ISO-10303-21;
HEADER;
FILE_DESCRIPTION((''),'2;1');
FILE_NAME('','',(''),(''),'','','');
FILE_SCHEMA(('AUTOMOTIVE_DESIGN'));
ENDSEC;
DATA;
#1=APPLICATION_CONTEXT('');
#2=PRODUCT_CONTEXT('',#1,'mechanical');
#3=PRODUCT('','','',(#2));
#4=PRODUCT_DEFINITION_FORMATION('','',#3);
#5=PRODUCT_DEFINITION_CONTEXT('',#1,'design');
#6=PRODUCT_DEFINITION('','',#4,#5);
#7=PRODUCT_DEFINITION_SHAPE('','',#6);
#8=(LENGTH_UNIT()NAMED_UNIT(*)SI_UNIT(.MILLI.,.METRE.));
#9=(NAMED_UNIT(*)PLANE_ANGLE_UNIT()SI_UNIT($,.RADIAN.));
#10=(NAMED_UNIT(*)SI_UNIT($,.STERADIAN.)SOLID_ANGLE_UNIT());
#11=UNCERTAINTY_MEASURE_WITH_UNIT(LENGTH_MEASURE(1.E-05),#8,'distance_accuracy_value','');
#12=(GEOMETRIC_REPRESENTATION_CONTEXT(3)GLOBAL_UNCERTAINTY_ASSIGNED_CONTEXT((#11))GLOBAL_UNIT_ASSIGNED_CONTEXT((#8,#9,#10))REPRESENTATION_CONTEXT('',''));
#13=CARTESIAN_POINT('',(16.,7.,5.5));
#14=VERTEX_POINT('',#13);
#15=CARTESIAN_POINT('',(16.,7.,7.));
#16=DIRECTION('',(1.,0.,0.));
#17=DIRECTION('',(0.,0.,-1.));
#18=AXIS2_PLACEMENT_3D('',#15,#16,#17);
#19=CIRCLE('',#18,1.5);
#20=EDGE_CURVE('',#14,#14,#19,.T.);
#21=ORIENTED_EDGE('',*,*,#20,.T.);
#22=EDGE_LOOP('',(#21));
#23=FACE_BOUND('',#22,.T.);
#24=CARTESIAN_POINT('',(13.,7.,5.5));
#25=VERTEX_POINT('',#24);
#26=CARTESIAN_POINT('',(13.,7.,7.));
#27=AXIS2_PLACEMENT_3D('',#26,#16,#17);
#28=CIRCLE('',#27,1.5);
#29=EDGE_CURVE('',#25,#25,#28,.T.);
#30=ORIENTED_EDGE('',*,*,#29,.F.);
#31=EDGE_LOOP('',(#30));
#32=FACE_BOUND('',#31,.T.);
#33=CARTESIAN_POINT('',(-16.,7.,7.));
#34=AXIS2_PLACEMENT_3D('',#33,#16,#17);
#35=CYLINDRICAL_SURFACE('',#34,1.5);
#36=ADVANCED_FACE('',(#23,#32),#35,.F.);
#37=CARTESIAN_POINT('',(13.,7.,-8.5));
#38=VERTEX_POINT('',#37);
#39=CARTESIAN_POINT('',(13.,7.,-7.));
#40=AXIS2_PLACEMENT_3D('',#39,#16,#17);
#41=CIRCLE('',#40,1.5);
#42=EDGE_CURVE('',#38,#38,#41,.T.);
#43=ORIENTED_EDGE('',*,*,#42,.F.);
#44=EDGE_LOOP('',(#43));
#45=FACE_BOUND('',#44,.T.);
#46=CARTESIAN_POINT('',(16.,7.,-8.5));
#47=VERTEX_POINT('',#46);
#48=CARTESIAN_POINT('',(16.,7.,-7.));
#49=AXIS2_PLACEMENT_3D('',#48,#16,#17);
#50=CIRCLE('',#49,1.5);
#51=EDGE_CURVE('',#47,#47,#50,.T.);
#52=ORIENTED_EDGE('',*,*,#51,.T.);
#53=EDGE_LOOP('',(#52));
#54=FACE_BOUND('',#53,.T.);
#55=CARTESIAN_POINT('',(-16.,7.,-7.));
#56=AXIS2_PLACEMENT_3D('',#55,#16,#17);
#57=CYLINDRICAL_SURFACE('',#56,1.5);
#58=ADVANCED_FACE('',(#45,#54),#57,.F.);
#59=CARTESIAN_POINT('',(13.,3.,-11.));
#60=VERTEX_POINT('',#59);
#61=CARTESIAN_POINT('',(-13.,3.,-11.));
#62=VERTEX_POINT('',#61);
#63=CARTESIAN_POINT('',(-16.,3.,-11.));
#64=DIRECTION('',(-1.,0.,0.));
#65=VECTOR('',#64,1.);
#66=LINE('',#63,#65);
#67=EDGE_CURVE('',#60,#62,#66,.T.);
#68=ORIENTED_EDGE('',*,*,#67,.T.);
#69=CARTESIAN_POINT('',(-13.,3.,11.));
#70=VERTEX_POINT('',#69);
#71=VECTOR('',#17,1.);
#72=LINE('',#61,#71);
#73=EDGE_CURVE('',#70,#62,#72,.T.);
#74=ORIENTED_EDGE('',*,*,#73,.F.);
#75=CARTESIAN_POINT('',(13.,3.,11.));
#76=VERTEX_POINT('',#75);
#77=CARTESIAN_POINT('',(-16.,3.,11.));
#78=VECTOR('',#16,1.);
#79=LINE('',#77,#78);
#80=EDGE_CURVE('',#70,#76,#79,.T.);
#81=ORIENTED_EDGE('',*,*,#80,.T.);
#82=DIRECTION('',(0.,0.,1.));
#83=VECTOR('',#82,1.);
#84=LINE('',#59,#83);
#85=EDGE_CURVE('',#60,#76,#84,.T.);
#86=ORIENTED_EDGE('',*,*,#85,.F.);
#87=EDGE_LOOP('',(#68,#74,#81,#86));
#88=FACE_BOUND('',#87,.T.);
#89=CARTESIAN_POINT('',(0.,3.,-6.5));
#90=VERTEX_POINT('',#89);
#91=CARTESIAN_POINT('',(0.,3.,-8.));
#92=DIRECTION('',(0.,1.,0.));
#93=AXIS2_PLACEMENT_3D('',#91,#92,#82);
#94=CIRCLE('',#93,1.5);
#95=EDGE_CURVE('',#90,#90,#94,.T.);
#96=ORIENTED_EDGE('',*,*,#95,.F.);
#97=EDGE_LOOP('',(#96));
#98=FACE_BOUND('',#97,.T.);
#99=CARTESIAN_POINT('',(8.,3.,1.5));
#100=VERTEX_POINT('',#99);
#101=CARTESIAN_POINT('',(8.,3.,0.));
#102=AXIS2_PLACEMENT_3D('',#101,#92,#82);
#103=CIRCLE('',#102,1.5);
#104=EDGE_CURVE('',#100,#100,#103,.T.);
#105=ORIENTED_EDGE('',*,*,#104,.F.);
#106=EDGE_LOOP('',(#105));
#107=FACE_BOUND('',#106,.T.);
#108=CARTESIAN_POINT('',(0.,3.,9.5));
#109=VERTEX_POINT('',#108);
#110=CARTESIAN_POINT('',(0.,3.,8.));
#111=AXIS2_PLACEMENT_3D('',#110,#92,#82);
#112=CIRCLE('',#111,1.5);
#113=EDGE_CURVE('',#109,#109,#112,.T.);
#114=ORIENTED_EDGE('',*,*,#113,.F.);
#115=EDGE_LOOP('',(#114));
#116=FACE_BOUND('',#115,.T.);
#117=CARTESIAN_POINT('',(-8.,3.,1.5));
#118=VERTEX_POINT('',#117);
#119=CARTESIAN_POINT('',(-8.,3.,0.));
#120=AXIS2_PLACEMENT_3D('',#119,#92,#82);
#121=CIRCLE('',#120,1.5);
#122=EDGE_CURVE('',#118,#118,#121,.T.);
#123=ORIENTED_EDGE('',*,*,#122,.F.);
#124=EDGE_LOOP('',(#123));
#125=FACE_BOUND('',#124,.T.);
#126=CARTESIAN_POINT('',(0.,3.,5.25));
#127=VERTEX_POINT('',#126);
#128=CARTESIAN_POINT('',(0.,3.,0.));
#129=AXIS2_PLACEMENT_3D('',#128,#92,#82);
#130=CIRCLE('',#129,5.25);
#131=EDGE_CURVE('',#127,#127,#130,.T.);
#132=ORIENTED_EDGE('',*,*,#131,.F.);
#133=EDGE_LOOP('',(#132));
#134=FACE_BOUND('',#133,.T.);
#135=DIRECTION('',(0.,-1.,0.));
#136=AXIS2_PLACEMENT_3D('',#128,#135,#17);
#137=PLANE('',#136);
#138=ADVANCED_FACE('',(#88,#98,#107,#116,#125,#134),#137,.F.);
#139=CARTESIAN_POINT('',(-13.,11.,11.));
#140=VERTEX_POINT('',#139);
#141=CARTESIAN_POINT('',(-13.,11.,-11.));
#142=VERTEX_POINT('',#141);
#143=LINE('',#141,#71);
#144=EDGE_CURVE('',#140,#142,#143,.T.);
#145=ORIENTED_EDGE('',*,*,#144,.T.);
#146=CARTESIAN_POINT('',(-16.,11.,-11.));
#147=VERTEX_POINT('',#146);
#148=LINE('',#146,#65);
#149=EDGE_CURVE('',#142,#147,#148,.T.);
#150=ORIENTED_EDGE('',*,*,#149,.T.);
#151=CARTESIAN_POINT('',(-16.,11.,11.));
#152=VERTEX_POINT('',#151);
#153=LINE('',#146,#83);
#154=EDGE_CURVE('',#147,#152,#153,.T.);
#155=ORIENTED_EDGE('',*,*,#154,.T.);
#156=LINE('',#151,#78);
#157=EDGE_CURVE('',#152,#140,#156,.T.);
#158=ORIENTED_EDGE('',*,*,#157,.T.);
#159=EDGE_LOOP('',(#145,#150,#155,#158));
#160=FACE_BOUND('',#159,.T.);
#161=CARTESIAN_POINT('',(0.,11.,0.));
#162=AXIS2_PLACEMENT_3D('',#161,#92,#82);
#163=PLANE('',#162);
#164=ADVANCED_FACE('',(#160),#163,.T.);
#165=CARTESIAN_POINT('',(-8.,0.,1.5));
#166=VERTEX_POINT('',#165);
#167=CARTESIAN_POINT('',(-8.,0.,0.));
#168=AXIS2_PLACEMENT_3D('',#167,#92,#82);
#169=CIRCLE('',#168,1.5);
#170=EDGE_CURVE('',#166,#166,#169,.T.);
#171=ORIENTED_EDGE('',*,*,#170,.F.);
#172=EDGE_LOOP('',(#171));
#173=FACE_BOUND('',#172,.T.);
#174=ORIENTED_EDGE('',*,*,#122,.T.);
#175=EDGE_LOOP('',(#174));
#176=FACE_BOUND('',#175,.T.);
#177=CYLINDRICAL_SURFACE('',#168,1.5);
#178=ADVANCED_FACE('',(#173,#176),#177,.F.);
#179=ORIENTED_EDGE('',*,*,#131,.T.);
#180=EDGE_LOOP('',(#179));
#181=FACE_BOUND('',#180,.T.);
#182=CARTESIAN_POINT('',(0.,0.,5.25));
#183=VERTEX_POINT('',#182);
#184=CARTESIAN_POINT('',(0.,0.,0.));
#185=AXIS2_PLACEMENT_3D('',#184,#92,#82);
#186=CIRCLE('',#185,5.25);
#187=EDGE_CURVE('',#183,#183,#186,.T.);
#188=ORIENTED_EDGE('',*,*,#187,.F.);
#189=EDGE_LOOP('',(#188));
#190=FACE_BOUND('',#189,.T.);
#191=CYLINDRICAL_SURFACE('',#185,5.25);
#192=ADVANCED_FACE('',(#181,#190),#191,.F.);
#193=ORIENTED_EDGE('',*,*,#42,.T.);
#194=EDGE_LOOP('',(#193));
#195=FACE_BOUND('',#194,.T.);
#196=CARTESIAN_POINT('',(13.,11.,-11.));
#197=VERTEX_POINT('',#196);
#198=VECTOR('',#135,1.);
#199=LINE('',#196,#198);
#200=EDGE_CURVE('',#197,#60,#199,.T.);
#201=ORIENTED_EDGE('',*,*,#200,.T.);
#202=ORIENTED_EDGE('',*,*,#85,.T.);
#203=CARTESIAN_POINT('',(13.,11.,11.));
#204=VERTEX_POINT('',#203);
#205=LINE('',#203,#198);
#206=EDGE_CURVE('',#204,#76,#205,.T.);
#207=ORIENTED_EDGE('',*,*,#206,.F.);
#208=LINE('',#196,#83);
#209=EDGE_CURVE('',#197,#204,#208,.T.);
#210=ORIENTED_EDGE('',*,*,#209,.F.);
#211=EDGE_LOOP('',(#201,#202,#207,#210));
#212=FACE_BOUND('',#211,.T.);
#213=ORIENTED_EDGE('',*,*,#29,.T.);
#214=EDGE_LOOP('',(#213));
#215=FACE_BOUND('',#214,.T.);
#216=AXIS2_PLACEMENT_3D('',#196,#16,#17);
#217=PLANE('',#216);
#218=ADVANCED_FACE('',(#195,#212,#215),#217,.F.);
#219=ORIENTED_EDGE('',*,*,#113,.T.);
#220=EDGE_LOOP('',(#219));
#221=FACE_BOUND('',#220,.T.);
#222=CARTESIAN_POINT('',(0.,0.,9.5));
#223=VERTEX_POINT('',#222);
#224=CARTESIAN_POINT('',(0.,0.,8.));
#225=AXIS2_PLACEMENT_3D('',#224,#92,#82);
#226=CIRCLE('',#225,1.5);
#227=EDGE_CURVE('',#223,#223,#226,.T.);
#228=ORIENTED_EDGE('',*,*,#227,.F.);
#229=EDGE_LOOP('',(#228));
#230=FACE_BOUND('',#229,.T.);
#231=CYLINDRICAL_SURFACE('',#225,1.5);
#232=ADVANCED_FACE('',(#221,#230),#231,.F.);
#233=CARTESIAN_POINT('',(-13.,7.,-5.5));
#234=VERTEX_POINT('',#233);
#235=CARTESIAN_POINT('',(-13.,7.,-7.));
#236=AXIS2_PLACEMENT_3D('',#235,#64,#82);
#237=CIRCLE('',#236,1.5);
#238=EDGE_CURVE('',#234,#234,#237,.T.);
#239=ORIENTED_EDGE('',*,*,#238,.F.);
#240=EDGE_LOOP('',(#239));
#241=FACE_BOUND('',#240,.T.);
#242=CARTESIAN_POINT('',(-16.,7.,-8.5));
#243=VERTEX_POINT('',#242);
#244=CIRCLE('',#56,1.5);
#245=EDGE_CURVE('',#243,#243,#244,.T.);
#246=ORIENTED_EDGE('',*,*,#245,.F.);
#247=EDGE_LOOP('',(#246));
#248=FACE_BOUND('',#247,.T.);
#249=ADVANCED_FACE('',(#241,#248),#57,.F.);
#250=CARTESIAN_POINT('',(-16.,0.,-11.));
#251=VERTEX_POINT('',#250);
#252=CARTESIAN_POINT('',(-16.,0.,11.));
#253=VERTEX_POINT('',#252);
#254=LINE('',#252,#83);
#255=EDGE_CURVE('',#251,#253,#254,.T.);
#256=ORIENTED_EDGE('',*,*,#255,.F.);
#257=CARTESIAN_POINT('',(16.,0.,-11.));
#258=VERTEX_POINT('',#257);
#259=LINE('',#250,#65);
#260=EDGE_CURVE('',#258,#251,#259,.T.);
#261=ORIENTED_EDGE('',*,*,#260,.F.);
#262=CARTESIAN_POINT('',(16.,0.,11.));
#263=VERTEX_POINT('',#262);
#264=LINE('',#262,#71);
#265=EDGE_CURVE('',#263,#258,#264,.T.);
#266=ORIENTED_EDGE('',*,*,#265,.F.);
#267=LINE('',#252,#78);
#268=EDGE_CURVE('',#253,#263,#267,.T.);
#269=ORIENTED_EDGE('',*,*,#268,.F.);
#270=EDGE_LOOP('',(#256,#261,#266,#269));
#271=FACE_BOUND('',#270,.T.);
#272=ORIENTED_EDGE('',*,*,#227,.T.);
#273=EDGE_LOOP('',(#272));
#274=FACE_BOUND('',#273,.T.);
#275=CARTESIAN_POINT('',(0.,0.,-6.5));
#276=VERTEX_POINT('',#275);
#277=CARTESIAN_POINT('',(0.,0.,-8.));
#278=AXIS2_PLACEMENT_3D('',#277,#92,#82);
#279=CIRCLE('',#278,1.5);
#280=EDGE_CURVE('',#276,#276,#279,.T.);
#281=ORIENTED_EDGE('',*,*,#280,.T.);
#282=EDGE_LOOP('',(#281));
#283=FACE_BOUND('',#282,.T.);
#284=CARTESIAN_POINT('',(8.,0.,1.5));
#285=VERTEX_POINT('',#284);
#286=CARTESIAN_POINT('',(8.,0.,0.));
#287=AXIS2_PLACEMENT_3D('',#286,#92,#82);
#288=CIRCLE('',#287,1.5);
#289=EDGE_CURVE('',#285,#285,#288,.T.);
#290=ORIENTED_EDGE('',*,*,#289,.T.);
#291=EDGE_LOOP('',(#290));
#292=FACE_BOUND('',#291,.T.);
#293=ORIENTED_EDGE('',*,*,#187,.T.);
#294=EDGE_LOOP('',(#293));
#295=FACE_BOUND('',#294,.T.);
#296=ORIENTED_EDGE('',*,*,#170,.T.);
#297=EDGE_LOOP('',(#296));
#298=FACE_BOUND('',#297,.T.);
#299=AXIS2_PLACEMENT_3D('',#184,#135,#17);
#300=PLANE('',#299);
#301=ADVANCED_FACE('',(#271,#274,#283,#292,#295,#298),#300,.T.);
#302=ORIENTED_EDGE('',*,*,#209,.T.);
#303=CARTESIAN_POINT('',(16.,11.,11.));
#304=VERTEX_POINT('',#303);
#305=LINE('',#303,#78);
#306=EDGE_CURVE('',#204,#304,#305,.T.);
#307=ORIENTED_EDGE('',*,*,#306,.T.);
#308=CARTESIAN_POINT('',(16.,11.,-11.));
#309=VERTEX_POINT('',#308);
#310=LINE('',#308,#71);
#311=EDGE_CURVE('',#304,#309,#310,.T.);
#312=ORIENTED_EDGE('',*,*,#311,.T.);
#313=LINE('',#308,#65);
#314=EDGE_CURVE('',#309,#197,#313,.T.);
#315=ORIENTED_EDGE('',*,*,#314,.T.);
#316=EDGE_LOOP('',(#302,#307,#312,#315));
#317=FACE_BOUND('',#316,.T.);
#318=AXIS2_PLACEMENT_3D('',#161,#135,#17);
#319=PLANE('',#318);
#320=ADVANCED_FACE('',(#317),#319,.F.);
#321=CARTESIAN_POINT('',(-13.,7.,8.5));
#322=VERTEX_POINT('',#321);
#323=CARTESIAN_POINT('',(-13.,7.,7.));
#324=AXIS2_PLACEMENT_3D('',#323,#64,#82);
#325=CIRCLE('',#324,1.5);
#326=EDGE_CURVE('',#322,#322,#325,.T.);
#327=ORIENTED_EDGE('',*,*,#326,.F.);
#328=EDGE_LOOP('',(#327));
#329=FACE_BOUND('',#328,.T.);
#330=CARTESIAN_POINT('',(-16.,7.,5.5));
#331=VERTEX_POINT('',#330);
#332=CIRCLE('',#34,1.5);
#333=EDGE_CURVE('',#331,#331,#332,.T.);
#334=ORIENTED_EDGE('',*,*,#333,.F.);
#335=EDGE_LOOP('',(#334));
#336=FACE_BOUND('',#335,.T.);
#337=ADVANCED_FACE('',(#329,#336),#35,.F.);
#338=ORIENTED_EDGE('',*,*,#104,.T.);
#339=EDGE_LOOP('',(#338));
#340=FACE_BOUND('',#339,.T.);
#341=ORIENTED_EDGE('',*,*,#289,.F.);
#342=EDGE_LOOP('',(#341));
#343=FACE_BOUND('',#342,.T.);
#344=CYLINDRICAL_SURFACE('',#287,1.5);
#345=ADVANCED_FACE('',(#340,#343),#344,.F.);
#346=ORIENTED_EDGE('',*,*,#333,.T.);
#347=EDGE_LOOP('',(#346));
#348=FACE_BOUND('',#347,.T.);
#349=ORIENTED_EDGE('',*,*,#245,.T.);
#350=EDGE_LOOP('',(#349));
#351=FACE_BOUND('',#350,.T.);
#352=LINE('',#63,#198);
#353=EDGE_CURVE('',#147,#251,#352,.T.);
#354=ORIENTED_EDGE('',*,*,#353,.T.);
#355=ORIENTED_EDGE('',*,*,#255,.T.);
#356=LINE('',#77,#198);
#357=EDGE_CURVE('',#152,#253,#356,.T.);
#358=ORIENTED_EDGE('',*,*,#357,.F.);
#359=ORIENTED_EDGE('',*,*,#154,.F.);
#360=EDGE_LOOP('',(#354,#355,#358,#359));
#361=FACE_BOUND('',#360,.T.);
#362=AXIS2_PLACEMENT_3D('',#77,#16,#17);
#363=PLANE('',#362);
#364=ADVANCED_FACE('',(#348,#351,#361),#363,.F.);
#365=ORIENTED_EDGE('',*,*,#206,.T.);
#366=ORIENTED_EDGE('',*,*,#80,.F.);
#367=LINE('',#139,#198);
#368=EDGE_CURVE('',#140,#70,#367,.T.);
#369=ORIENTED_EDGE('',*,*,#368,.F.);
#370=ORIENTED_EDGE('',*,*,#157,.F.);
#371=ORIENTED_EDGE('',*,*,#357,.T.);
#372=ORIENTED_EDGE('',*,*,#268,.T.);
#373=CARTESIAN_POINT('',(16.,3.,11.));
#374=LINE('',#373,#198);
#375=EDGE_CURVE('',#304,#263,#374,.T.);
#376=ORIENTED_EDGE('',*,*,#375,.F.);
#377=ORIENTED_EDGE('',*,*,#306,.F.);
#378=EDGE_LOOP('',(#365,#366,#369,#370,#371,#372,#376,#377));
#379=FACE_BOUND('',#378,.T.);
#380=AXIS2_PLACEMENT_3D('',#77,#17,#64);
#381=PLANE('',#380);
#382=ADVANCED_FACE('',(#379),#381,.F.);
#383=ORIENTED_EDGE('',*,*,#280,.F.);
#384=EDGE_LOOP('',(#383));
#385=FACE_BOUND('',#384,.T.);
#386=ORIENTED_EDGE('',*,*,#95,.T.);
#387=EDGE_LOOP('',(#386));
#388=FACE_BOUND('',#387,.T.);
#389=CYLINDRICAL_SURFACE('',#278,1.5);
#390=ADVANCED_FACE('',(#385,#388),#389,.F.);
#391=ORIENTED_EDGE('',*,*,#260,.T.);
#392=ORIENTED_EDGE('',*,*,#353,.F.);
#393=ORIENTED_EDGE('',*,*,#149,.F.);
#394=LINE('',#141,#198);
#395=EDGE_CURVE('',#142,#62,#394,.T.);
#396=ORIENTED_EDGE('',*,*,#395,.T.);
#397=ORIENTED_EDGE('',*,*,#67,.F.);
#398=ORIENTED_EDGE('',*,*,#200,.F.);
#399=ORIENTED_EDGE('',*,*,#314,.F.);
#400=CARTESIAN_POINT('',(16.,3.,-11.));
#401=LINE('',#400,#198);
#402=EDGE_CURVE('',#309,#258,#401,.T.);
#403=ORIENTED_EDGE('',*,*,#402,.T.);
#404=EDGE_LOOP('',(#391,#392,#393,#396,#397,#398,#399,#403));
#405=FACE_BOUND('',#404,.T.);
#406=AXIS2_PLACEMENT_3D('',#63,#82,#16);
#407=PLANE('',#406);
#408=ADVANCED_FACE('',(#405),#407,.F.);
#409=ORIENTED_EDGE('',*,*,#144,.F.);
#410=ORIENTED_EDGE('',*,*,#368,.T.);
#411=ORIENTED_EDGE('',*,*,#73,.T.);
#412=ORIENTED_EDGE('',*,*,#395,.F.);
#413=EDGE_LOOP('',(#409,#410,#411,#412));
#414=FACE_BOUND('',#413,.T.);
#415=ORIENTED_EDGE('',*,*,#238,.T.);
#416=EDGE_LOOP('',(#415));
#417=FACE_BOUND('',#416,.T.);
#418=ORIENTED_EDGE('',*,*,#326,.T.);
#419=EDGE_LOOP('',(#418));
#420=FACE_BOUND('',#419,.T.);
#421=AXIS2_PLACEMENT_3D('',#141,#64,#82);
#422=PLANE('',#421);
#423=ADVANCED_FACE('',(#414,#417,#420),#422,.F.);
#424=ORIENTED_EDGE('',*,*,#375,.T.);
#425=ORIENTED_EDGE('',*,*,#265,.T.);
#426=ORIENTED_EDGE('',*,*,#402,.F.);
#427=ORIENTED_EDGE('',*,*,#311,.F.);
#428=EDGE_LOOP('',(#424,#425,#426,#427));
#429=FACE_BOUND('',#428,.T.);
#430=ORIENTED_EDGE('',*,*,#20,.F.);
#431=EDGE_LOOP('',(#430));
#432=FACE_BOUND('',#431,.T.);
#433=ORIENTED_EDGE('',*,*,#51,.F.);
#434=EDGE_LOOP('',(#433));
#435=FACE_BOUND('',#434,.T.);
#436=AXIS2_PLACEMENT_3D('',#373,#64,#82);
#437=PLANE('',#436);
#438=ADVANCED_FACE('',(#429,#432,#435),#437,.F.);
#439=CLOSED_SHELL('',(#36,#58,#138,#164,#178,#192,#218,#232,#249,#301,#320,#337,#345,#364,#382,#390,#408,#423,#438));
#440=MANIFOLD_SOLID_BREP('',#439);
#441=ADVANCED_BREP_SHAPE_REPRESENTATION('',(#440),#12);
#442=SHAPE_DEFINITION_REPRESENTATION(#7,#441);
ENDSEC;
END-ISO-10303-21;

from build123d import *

# Parameters (mm, degrees)
SKETCH_1_W          = 32
SKETCH_1_H          = 22
EXTRUDE_1_DEPTH     = 3
SKETCH_2_W          = 3
SKETCH_2_H          = 22
EXTRUDE_2_DEPTH     = 8
SKETCH_3_R          = 1.5
CUT_EXTRUDE_1_DEPTH = 36.580893749
SKETCH_4_R          = 5.25
SKETCH_4_R_2        = 1.5
CUT_EXTRUDE_2_DEPTH = 22


with BuildPart() as part:
    # 草图1 → 凸台-拉伸1 (new body)
    with BuildSketch(Plane(origin=(0, 0, 0), x_dir=(1, 0, 0), z_dir=(0, 1, 0))):
        Rectangle(SKETCH_1_W, SKETCH_1_H)
    extrude(amount=EXTRUDE_1_DEPTH)

    # 草图2 → 凸台-拉伸2 (add)
    with BuildSketch(Plane(origin=(0, 3, 0), x_dir=(1, 0, 0), z_dir=(0, 1, 0))):
        with Locations((-14.5, 0)):
            Rectangle(SKETCH_2_W, SKETCH_2_H)
        with Locations((14.5, 0)):
            Rectangle(SKETCH_2_W, SKETCH_2_H)
    extrude(amount=EXTRUDE_2_DEPTH)

    # 草图3 → 切除-拉伸1 (cut, through all)
    with BuildSketch(Plane(origin=(16, 0, 0), x_dir=(0, 0, -1), z_dir=(1, 0, 0))):
        with Locations((-7, 7)):
            Circle(SKETCH_3_R)
        with Locations((7, 7)):
            Circle(SKETCH_3_R)
    extrude(amount=-CUT_EXTRUDE_1_DEPTH, mode=Mode.SUBTRACT)

    # 草图4 → 切除-拉伸2 (cut, through all)
    with BuildSketch(Plane(origin=(0, 3, 0), x_dir=(1, 0, 0), z_dir=(0, 1, 0))):
        with Locations(Location((0, 0, 0), (0, 0, 270))):
            Circle(SKETCH_4_R)
        with Locations(Location((0, 8, 0), (0, 0, 270))):
            Circle(SKETCH_4_R_2)
        with Locations(Location((8, 0, 0), (0, 0, 270))):
            Circle(SKETCH_4_R_2)
        with Locations(Location((0, -8, 0), (0, 0, 270))):
            Circle(SKETCH_4_R_2)
        with Locations(Location((-8, 0, 0), (0, 0, 270))):
            Circle(SKETCH_4_R_2)
    extrude(amount=-CUT_EXTRUDE_2_DEPTH, mode=Mode.SUBTRACT)


solid = part.part
